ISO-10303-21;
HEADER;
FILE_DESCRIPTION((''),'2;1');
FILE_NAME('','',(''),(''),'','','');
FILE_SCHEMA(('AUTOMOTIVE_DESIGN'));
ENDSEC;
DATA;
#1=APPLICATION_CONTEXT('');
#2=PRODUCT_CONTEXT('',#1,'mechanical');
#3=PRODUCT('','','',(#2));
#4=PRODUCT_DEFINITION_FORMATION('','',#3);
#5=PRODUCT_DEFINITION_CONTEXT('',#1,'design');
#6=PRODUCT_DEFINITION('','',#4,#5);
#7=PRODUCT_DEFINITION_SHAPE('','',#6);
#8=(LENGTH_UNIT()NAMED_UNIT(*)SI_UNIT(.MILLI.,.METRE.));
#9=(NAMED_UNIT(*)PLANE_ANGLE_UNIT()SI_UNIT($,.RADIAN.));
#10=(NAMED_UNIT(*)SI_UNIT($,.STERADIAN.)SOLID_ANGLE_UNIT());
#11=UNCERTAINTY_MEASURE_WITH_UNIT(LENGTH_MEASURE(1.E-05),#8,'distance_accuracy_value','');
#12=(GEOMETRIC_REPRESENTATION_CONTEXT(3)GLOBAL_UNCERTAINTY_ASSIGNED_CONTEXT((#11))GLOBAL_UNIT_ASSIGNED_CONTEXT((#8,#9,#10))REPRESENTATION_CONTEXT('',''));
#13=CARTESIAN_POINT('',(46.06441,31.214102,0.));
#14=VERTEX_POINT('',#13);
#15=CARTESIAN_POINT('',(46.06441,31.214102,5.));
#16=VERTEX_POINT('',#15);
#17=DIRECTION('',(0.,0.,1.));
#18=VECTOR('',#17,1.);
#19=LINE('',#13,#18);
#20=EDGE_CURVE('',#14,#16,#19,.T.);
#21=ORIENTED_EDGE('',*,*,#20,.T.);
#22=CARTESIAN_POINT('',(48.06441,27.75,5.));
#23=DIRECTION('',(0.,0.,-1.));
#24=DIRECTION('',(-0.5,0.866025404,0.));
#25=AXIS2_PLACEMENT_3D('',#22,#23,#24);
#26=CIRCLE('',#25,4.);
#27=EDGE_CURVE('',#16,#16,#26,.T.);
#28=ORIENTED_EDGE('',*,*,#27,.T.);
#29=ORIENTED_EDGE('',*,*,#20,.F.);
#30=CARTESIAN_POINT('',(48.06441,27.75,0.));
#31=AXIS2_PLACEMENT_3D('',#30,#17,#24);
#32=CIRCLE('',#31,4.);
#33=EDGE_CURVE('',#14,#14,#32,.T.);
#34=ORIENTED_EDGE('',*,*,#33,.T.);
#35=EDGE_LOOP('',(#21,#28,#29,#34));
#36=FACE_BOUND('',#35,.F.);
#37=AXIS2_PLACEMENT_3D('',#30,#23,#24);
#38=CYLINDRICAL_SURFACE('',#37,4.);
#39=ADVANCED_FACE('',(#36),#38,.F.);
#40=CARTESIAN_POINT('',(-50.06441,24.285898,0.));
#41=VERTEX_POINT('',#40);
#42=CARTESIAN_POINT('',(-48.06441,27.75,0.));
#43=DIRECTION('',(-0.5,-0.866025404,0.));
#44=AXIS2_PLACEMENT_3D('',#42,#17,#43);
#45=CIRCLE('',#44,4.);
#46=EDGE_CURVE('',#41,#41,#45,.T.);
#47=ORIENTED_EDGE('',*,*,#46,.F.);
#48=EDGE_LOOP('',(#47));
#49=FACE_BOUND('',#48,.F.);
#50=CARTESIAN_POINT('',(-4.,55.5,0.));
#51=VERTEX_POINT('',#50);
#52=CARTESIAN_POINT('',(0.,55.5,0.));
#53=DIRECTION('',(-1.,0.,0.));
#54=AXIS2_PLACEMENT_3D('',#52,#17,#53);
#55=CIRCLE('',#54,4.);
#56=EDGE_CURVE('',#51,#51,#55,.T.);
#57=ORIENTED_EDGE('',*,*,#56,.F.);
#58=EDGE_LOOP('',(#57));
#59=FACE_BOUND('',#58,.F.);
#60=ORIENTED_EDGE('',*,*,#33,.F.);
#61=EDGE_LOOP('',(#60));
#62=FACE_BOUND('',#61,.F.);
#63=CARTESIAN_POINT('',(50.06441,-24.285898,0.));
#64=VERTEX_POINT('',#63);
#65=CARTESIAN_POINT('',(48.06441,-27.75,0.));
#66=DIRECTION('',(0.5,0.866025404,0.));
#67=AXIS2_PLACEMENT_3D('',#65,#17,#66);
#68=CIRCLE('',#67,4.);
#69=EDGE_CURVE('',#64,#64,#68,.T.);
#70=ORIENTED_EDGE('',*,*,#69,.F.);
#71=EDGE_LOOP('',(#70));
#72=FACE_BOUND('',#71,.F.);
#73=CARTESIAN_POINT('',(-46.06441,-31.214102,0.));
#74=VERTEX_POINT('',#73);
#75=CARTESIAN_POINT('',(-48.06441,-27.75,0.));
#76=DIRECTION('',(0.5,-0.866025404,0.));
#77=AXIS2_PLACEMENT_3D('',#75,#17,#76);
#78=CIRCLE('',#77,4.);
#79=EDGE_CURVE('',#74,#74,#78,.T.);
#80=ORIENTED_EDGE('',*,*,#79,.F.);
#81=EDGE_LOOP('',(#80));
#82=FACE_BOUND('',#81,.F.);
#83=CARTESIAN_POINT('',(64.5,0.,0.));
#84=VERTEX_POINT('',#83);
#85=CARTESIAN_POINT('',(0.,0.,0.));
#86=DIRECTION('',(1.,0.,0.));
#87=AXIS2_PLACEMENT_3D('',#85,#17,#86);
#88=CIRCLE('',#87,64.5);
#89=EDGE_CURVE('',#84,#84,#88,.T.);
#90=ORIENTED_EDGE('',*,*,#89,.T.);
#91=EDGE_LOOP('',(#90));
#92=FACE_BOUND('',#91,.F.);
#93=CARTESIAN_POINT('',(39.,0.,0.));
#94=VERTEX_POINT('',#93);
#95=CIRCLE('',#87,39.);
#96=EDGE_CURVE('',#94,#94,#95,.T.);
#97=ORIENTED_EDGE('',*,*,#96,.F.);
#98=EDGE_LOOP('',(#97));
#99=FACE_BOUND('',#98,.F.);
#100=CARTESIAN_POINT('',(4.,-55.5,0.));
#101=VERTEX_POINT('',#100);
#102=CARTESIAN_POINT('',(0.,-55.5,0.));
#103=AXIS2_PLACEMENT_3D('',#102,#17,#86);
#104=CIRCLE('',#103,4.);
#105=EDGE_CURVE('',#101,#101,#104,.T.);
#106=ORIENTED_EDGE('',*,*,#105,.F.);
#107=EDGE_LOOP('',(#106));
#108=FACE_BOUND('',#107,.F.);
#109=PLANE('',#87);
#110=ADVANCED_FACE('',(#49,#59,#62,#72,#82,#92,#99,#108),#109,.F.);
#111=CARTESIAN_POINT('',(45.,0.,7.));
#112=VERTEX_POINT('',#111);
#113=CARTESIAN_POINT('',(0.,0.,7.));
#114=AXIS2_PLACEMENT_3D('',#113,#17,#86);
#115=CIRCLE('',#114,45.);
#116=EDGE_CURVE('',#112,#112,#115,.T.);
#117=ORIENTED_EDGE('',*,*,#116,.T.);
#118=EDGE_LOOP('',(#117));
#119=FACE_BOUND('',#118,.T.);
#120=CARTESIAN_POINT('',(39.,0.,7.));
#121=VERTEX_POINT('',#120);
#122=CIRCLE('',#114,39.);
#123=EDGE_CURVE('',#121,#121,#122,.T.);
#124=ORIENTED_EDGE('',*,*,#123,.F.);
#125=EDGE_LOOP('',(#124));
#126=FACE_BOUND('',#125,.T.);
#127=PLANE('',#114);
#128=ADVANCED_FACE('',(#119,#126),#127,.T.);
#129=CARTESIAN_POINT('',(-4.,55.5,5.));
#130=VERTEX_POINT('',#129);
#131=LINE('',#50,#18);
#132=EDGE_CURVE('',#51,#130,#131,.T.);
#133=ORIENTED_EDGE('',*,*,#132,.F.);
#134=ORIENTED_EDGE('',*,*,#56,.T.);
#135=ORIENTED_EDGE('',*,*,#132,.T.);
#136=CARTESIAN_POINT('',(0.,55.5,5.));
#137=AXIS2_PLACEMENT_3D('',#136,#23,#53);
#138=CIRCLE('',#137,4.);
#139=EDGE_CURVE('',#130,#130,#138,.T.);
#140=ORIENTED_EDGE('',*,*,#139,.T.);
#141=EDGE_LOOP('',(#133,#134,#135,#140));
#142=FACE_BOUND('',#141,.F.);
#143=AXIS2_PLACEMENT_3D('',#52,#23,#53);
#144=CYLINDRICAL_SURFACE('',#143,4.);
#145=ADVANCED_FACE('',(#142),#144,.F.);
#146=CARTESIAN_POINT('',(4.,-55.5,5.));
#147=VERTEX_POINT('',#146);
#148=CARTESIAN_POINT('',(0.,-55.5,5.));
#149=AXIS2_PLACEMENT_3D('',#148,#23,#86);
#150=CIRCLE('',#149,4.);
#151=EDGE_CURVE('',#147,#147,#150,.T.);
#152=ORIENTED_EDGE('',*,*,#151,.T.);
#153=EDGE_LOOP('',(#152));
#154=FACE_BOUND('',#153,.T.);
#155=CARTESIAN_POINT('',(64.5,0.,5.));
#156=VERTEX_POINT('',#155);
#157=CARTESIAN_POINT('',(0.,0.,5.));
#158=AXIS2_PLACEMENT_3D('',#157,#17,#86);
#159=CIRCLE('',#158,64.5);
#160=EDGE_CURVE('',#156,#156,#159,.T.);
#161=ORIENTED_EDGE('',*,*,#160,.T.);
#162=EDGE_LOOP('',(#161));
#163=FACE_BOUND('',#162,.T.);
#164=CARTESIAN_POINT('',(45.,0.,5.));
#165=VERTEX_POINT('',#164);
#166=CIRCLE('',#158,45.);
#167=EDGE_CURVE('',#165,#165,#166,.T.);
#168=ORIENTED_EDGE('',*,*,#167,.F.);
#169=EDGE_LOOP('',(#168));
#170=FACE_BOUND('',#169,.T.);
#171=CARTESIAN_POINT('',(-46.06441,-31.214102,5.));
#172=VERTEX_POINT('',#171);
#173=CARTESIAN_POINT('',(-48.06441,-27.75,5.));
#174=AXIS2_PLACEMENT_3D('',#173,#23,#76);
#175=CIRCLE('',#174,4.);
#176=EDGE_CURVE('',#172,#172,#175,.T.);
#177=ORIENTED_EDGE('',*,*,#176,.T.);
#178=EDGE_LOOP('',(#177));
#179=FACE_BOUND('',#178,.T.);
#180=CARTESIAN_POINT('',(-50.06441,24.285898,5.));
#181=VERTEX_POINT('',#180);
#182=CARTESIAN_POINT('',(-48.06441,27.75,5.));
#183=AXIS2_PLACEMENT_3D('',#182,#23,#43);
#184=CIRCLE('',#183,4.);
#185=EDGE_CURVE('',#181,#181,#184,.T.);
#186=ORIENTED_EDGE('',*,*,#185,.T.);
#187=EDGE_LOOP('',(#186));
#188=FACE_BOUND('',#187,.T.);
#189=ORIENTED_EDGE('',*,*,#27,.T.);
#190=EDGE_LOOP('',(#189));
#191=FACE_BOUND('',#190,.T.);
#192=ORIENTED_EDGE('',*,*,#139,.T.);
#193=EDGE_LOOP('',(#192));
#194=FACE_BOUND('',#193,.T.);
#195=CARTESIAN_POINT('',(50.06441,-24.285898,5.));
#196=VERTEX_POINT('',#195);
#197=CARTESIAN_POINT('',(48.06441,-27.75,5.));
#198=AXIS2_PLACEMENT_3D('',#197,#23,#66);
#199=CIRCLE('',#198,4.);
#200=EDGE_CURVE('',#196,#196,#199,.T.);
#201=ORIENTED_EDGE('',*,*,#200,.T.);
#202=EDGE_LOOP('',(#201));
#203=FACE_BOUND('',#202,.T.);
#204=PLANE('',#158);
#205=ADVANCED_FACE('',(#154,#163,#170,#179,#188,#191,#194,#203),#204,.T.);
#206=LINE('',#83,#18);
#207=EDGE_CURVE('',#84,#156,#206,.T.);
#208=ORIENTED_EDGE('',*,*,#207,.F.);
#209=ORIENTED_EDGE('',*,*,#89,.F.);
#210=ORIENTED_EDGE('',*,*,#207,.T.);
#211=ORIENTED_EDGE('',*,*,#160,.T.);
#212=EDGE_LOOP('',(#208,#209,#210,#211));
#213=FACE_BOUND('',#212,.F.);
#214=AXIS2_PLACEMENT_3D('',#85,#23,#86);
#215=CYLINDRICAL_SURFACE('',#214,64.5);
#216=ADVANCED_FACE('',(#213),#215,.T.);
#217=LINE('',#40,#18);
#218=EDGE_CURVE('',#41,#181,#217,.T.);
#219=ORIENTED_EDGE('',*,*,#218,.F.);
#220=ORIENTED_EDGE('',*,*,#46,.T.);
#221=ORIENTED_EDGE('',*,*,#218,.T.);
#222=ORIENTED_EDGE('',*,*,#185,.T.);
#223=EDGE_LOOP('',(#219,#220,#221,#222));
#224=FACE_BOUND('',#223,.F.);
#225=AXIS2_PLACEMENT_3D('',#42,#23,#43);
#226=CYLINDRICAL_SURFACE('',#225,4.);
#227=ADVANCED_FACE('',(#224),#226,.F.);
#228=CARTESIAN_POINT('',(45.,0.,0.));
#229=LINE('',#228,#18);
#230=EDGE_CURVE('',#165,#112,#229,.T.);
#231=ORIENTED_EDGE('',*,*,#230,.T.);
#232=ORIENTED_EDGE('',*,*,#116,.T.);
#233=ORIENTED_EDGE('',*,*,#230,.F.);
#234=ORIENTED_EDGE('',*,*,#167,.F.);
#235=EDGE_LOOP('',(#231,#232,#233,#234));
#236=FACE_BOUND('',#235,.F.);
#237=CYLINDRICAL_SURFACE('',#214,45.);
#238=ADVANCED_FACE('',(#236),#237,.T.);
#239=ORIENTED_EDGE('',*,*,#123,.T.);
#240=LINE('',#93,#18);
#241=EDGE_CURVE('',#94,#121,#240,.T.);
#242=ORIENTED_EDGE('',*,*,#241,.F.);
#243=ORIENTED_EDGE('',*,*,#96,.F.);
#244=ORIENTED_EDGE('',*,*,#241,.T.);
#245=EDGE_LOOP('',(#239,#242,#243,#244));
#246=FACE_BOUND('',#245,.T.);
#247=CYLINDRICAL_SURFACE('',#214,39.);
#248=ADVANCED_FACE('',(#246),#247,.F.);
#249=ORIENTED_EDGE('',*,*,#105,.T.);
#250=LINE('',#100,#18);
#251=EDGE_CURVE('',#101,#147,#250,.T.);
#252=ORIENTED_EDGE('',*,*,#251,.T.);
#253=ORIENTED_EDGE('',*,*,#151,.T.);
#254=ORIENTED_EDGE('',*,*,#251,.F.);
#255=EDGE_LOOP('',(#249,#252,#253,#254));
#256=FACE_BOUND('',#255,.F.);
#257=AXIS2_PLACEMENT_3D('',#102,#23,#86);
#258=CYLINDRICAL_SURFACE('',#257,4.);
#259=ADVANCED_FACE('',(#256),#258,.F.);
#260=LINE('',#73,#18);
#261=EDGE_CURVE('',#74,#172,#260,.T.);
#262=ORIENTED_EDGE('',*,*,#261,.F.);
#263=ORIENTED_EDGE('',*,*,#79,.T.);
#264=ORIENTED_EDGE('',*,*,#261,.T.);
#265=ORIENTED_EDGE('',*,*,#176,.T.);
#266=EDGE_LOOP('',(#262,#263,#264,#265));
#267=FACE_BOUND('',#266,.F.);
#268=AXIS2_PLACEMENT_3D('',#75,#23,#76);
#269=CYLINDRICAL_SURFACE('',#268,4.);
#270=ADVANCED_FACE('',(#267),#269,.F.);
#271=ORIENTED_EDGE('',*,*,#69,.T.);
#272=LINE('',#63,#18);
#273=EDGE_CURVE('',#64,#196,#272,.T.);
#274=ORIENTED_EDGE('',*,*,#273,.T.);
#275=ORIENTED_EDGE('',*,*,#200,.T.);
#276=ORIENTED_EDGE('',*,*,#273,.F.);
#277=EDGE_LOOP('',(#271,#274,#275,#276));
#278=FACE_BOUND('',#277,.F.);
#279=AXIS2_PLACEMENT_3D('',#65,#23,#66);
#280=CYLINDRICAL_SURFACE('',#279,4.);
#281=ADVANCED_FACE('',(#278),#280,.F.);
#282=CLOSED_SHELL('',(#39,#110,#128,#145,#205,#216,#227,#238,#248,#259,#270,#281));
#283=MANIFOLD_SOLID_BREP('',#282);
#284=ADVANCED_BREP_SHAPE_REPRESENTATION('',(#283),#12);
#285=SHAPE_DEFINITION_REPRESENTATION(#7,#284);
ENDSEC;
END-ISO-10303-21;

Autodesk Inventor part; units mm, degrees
ref_plane "YZ Plane" through (0, 0, 0) normal (1, 0, 0) x (0, 1, 0)
ref_plane "XZ Plane" through (0, 0, 0) normal (0, 1, 0) x (-1, 0, 0)
ref_plane "XY Plane" through (0, 0, 0) normal (0, 0, 1) x (1, 0, 0)
sketch "Sketch1" plane through (0, 0, 0) normal (0, 0, 1) x (1, 0, 0)
  circle A0 centre (0, 0) radius 39
  circle A1 centre (0, 0) radius 42 construction
  circle A2 centre (0, 42) radius 3 construction
  circle A3 centre (0, 0) radius 37
  circle A4 centre (0, 0) radius 45
  circle A5 centre (0, 0) radius 64.5
  dimension "d5" = 84
  dimension "d0" = 78
  dimension "d6" = 6
  dimension "d14" = 74
  dimension "d15" = 90
  dimension "d16" = 129
extrude "Extrusion2" add sketch "Sketch1" along normal blind 5 contours A5
extrude "Extrusion3" add sketch "Sketch1" along normal blind 7 contours A4
sketch "Sketch2" plane through (0, 0, 0) normal (0, 0, -1) x (-1, 0, 0)
  circle A0 centre (0, 0) radius 55.5
  circle A1 centre (0, 55.5) radius 4
  dimension "d21" = 111
  dimension "d22" = 8
extrude "Extrusion4" cut sketch "Sketch2" against normal through all contours A1 A0 | A0 A1 picked at (-0.157, 54.1653) picked at (0.1387, 56.8154)
pattern_circular "Circular Pattern1" count 6 over 360 about axis through (0, 0, -10) along (0, 0, 1) of "Extrusion4"
thread "Thread1" size "M8x1.25" class "6H" standard "ANSI Metric M Profile" full length
thread "Thread2" size "M8x1.25" class "6H" standard "ANSI Metric M Profile" full length
thread "Thread3" size "M8x1.25" class "6H" standard "ANSI Metric M Profile" full length
thread "Thread4" size "M8x1.25" class "6H" standard "ANSI Metric M Profile" full length
thread "Thread5" size "M8x1.25" class "6H" standard "ANSI Metric M Profile" full length
thread "Thread6" size "M8x1.25" class "6H" standard "ANSI Metric M Profile" full length
properties part number "back" material "Aluminum 6061"
